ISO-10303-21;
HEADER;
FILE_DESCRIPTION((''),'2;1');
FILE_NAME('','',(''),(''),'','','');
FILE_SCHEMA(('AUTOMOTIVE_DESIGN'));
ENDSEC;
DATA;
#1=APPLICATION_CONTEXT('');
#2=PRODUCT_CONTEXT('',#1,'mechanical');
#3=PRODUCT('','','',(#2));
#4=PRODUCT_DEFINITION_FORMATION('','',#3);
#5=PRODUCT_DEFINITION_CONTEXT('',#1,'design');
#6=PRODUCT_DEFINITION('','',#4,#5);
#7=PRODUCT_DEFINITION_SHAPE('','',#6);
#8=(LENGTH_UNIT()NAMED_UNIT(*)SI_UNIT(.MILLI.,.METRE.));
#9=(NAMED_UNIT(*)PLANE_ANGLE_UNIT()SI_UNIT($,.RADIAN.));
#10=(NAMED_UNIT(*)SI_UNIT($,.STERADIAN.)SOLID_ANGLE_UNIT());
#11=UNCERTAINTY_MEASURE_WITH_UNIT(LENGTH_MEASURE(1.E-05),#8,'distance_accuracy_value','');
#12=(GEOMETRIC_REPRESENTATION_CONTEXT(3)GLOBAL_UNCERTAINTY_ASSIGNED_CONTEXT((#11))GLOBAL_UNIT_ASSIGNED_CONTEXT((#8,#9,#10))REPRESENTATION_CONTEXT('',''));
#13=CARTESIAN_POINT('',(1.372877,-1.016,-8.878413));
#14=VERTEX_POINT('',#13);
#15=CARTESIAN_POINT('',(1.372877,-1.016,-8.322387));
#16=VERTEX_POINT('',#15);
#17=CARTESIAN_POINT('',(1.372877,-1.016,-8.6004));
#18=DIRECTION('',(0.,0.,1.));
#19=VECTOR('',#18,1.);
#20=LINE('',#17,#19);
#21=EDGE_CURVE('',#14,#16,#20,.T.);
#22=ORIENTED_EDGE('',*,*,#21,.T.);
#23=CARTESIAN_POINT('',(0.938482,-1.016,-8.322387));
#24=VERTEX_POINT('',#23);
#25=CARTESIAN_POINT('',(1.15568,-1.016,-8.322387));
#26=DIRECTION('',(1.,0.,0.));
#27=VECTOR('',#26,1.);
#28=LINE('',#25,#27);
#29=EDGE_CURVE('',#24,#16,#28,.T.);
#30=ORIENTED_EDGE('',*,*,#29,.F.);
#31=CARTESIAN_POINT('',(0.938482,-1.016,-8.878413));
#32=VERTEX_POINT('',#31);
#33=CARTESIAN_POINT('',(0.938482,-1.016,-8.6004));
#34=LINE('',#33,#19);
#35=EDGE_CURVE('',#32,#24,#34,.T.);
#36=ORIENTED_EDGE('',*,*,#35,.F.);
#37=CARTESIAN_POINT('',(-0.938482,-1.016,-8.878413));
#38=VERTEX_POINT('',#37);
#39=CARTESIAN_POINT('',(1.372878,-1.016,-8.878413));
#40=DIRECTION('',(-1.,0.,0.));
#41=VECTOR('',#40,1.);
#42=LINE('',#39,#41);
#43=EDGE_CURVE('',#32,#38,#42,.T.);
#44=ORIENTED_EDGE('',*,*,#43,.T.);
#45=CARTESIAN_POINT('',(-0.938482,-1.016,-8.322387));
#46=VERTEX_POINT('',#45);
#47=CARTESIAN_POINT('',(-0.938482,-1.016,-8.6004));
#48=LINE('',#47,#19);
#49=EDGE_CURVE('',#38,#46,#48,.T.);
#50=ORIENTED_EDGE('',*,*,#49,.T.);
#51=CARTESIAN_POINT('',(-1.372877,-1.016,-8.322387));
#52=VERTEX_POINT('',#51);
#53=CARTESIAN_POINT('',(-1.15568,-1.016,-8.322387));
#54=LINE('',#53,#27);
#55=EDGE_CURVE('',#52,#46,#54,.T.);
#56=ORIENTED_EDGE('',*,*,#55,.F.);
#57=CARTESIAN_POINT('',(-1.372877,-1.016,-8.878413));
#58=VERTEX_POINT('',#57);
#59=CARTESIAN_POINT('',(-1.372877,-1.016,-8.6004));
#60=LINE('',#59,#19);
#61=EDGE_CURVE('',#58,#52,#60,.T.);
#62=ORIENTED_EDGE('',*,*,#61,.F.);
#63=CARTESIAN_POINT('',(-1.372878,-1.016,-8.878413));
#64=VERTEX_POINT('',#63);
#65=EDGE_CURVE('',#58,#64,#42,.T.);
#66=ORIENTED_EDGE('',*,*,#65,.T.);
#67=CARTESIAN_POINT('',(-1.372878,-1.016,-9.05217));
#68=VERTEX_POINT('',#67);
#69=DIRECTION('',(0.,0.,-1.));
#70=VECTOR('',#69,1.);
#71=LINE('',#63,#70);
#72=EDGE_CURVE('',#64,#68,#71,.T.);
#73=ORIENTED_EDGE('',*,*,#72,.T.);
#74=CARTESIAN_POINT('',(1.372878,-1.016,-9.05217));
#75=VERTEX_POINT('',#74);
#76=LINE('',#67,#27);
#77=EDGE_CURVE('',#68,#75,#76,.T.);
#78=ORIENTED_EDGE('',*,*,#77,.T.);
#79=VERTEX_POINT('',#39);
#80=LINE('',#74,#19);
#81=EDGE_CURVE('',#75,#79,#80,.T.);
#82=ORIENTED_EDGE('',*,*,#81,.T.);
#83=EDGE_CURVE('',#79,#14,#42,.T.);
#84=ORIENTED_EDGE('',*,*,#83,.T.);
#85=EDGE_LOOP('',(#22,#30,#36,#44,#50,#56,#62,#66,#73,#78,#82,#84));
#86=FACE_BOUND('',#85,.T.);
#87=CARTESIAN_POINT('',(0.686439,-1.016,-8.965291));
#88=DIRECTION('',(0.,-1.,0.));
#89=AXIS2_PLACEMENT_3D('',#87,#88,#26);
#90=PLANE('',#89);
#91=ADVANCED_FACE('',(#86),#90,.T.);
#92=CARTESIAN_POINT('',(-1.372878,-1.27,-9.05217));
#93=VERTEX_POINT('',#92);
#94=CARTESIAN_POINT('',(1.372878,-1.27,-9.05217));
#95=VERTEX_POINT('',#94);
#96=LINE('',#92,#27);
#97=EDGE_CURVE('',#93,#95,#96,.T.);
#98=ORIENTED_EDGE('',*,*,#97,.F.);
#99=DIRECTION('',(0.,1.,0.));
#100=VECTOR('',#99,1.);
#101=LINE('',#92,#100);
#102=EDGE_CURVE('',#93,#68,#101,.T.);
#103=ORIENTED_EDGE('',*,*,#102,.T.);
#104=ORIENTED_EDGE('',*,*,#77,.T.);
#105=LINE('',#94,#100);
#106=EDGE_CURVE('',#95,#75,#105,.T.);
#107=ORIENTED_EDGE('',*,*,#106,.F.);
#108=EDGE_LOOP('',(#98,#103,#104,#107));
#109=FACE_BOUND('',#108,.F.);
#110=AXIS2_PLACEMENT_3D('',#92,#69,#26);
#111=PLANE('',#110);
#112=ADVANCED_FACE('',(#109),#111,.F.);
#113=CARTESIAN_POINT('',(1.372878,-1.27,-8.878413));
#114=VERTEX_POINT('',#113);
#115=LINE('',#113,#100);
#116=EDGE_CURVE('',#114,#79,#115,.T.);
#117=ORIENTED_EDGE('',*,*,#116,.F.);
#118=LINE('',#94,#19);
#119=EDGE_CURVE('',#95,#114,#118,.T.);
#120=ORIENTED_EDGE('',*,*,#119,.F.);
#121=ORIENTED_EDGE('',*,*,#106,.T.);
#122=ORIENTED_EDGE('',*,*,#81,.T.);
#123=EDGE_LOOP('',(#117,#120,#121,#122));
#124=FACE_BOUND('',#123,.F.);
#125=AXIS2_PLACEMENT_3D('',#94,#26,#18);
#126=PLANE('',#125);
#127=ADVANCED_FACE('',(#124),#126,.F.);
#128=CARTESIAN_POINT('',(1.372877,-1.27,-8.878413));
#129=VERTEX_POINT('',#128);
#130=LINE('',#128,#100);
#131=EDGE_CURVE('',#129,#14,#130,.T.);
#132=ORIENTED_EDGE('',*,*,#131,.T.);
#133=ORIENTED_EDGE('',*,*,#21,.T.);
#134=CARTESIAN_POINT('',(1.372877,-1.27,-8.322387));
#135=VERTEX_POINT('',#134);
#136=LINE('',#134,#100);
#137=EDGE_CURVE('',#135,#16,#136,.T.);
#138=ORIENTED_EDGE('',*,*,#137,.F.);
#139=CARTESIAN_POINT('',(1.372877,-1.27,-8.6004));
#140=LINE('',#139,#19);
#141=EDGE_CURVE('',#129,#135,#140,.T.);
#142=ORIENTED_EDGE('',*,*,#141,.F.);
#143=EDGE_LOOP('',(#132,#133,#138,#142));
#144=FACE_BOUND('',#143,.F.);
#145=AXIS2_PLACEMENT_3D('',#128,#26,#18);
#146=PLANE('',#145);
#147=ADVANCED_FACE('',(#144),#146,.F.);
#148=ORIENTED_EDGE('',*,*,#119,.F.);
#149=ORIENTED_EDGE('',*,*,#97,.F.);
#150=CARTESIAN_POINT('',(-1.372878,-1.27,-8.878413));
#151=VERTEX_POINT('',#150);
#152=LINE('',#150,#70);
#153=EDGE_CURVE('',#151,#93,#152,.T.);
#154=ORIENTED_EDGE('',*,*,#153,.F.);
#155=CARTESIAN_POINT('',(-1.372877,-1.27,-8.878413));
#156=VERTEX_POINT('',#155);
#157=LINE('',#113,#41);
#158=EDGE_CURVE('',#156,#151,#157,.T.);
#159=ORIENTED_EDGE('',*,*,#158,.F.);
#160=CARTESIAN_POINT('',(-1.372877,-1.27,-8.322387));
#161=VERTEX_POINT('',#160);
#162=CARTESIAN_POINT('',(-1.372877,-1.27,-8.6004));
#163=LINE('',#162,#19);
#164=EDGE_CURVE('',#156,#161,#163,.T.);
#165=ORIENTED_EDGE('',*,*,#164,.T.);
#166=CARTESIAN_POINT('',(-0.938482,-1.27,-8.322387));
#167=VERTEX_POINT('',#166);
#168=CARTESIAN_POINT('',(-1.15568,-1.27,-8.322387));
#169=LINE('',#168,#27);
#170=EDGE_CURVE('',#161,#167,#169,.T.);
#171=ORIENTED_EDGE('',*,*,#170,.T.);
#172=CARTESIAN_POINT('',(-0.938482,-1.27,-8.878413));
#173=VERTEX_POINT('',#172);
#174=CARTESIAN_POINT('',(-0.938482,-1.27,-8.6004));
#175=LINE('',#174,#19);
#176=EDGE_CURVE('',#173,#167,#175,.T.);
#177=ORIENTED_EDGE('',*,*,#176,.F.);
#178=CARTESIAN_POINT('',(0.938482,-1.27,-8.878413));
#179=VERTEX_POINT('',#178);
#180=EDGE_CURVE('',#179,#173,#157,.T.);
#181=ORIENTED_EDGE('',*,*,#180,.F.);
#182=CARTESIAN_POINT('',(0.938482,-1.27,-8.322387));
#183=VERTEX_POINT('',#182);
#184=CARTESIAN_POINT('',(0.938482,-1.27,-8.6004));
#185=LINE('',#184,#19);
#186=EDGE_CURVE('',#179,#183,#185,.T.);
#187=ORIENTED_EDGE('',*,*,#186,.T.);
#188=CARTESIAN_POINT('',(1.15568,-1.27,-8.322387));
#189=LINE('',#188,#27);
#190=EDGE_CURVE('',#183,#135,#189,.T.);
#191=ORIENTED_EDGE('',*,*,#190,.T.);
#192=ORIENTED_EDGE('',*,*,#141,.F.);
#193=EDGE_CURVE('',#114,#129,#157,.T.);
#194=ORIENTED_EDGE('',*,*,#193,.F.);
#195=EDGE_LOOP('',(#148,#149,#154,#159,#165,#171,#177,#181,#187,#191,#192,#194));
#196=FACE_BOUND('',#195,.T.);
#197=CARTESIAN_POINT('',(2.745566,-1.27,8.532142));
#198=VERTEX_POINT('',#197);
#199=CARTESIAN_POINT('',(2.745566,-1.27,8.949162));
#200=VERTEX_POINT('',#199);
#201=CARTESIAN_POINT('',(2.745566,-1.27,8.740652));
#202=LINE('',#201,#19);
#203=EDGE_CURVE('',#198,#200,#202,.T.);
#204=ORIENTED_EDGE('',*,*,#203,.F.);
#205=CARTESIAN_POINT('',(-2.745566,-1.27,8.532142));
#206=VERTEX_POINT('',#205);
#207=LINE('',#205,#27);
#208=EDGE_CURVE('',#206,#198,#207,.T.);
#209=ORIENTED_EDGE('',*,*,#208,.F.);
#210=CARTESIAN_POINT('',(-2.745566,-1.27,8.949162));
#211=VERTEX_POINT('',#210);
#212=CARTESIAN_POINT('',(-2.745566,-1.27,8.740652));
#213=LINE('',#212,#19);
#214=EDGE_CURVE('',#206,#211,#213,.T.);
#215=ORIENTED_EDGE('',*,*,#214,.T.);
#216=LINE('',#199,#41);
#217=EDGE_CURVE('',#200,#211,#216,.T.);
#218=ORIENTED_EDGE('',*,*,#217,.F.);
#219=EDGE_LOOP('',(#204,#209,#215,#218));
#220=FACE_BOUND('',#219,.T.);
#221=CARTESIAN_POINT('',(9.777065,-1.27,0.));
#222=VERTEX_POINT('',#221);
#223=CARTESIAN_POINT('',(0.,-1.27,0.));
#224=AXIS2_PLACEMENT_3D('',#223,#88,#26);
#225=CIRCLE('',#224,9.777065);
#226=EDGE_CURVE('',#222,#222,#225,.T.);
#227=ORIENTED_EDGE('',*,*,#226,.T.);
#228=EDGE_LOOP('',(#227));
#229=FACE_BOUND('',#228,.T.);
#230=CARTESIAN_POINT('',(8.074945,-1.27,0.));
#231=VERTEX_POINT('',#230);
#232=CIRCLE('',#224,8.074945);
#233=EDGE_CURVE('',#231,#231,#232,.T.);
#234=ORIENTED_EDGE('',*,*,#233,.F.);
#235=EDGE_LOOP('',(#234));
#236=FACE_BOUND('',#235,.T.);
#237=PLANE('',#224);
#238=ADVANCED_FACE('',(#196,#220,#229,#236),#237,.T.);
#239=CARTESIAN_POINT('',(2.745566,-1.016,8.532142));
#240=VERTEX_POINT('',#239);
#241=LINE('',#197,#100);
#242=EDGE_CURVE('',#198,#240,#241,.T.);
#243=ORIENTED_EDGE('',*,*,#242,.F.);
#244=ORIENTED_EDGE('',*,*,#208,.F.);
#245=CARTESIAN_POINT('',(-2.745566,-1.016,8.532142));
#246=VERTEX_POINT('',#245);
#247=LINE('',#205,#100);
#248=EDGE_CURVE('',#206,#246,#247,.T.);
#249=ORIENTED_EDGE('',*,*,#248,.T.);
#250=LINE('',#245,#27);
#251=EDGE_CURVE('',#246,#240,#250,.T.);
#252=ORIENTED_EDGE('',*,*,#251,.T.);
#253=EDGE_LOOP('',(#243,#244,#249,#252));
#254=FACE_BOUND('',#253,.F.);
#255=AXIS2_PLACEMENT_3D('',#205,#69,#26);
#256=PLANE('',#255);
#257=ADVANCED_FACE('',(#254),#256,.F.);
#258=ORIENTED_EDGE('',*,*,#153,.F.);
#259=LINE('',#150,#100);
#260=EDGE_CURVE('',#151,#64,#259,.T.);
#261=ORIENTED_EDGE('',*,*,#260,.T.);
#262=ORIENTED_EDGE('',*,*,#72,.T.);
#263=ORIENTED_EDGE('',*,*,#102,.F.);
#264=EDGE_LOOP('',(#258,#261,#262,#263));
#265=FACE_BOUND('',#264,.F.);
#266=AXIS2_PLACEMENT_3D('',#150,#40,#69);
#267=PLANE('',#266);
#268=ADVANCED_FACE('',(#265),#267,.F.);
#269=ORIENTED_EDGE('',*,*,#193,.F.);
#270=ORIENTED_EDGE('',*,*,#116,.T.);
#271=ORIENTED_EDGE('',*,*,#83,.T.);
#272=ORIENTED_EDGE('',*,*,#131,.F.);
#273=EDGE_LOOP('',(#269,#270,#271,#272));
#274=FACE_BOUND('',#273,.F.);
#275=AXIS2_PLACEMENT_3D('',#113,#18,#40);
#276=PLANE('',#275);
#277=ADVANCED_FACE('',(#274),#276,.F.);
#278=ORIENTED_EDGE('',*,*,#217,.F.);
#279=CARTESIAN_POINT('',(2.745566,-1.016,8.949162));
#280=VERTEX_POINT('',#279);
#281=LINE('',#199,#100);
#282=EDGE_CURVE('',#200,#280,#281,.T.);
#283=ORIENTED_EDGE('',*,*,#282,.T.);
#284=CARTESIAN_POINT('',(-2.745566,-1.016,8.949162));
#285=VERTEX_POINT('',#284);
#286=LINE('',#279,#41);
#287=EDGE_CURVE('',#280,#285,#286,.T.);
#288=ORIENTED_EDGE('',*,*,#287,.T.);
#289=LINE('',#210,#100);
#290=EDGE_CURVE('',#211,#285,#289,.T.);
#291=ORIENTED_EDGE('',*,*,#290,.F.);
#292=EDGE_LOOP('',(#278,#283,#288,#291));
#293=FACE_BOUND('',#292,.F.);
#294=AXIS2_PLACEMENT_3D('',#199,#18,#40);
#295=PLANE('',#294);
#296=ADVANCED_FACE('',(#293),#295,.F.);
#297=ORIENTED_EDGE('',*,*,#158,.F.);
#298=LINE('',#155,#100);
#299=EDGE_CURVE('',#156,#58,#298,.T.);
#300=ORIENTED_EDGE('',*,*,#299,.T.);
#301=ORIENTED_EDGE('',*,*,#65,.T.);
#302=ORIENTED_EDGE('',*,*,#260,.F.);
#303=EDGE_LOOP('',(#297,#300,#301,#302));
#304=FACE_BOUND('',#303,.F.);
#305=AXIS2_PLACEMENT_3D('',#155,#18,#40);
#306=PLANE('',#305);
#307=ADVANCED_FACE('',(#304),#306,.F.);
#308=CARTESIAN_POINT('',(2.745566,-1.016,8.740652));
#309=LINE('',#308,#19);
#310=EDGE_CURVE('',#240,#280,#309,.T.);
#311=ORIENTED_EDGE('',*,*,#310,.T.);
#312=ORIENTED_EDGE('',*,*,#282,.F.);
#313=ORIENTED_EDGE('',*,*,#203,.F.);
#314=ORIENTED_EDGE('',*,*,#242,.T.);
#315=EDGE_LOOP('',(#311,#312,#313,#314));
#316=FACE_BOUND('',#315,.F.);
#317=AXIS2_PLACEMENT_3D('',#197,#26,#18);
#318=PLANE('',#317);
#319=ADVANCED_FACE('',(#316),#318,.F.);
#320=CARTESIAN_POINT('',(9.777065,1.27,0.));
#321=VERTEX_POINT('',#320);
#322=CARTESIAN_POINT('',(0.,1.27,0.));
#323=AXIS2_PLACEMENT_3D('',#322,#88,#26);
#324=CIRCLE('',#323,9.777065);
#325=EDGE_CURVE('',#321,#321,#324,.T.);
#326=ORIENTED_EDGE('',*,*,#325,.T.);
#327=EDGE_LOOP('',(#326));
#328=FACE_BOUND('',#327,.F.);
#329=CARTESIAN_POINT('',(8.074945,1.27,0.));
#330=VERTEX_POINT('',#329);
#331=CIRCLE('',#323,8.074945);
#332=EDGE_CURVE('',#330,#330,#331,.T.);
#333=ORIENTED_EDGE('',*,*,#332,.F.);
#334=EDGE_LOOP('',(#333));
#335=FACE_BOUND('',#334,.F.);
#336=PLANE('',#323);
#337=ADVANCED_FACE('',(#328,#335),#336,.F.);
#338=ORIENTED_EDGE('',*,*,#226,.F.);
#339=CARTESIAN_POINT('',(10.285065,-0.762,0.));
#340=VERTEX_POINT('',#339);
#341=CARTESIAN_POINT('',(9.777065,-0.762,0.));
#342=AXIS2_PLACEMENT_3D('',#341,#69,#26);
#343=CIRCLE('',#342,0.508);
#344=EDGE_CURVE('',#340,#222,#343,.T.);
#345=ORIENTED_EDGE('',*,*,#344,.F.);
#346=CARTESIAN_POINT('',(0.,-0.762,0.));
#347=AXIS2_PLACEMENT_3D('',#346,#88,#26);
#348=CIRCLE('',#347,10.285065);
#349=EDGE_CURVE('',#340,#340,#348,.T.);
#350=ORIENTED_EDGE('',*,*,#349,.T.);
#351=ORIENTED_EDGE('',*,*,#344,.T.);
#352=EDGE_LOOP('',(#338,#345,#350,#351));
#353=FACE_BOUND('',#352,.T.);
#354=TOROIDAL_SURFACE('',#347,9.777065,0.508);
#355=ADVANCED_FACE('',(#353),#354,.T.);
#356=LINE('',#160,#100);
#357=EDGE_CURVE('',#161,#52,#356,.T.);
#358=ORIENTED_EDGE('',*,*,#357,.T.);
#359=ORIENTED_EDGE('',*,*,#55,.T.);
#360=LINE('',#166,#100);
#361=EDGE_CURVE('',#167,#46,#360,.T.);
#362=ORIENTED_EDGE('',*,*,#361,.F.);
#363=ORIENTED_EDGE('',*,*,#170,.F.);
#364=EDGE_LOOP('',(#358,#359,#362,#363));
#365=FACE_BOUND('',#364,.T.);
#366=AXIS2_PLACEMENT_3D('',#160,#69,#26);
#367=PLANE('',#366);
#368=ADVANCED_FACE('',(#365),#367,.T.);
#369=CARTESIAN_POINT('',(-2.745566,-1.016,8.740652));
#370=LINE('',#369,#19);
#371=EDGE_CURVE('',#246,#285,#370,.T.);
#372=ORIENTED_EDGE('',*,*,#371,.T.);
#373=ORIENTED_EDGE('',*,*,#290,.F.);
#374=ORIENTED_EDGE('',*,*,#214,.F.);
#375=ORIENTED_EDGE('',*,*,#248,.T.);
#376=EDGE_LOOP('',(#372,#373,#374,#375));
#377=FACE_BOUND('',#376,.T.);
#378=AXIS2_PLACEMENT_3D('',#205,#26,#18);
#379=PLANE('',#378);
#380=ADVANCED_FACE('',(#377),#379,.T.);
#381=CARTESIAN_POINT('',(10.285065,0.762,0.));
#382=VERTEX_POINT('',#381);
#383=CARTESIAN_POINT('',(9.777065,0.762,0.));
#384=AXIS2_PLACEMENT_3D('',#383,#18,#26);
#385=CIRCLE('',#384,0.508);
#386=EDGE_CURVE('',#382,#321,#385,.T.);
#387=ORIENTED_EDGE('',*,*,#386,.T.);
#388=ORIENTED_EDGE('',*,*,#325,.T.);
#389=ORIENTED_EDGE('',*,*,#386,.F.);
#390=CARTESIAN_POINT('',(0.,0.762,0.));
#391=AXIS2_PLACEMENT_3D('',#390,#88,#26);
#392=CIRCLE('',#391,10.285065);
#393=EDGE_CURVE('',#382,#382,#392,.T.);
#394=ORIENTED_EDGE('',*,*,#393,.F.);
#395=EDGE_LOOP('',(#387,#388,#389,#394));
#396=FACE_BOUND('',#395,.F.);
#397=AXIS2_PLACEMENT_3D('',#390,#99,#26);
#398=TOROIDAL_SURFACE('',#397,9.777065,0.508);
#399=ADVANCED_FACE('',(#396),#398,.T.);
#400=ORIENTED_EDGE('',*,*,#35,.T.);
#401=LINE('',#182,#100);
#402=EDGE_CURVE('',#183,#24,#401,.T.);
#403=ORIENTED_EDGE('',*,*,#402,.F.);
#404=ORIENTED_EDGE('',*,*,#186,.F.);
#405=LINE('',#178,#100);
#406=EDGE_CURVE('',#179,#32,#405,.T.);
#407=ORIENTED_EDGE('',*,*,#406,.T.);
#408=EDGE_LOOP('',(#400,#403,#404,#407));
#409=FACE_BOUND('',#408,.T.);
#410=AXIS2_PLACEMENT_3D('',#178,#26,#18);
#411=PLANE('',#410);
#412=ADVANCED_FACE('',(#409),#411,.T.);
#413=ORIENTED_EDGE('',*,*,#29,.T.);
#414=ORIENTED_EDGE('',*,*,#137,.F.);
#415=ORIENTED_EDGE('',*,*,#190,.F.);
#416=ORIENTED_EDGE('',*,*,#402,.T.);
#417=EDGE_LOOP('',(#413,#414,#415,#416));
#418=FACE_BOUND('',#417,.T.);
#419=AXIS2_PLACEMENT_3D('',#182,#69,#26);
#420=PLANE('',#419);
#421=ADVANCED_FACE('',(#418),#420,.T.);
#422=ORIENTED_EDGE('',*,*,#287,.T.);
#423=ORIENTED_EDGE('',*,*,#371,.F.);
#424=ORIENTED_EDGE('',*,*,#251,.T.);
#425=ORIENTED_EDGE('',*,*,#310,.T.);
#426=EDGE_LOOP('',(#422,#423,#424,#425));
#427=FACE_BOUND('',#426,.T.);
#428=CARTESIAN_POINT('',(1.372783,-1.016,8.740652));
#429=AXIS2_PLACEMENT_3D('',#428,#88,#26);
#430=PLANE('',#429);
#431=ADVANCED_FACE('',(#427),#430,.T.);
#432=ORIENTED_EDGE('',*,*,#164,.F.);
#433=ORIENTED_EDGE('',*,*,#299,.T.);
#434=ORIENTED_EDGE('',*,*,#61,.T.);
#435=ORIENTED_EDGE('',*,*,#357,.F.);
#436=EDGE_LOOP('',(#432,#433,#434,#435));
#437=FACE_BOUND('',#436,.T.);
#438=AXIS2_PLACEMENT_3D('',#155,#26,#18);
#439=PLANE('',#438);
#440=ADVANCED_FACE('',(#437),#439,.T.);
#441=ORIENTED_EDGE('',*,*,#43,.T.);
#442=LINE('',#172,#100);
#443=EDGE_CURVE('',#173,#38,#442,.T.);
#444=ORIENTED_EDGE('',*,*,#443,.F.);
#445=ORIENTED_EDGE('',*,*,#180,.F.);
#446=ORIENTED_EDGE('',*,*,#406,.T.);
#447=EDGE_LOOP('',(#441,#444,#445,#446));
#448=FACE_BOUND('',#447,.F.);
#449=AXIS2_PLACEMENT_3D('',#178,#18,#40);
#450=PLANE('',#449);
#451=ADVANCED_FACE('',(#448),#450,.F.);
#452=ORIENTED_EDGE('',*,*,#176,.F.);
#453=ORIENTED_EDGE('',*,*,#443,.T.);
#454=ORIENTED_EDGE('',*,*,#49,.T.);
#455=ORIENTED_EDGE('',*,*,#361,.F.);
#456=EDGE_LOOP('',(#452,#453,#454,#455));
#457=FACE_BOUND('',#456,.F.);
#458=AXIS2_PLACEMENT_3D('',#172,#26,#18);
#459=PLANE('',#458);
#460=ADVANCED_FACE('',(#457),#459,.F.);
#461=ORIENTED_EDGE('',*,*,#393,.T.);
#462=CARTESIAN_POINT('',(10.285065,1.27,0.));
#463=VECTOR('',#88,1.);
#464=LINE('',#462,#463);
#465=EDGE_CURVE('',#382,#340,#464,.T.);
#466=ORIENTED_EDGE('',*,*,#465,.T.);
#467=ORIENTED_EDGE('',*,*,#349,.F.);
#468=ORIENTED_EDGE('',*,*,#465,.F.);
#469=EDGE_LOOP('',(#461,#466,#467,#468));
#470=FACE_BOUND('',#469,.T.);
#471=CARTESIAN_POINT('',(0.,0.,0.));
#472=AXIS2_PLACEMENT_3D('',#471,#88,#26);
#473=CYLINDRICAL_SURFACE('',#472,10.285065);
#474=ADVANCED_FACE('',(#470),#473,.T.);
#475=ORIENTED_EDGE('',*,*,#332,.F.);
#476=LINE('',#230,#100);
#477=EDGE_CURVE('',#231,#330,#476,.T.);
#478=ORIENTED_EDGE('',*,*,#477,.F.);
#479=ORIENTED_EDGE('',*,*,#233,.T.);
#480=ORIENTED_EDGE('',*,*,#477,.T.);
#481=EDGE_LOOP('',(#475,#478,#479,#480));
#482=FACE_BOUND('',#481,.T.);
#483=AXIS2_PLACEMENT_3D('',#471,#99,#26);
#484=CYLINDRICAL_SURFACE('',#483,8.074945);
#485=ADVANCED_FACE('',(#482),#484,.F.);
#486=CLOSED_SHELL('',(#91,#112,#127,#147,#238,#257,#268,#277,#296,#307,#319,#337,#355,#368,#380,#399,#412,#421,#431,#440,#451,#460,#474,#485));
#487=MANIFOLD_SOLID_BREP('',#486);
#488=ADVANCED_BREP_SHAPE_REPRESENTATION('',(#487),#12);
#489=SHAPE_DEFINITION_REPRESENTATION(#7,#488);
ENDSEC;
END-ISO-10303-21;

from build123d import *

# Parameters (mm, degrees)
F0_R     = 10.285065
F0_R_2   = 8.074945
F1_DEPTH = 1.27
F2_R     = 0.508
F3_R     = 0.508
F4_W     = 2.745567
F4_H     = 0.41702
F4_W_2   = 0.434395
F4_H_2   = 0.556026
F5_DEPTH = 0.254


with BuildPart() as f1:
    # F0 (on Front) → F1 (new body, symmetric)
    with BuildSketch(Plane.XZ):
        Circle(F0_R)
        Circle(F0_R_2, mode=Mode.SUBTRACT)
    extrude(amount=F1_DEPTH, both=True)

    # F2
    f2_edges = [f1.edges().sort_by_distance(p)[0] for p in [
        (-10.285065, 1.27, 0),
    ]]
    fillet(f2_edges, radius=F2_R)

    # F3
    f3_edges = [f1.edges().sort_by_distance(p)[0] for p in [
        (-10.285065, -1.27, 0),
    ]]
    fillet(f3_edges, radius=F3_R)

    # F4 (on face) → F5 (cut)
    with BuildSketch(Plane.XZ.offset(1.27)):
        with Locations((1.372783, 8.740652)):
            Rectangle(F4_W, F4_H)
        with Locations((-1.372783, 8.740652)):
            Rectangle(F4_W, F4_H)
        Polygon((0, -8.878413), (0, -9.05217), (1.372878, -9.05217), (1.372878, -8.878413), (0.938483, -8.878413), align=None)
        Polygon((-1.372878, -9.05217), (0, -9.05217), (0, -8.878413), (-0.938483, -8.878413), (-1.372878, -8.878413), align=None)
        with Locations((1.15568, -8.6004)):
            Rectangle(F4_W_2, F4_H_2)
        with Locations((-1.15568, -8.6004)):
            Rectangle(F4_W_2, F4_H_2)
    extrude(amount=-F5_DEPTH, mode=Mode.SUBTRACT)


solid = f1.part
